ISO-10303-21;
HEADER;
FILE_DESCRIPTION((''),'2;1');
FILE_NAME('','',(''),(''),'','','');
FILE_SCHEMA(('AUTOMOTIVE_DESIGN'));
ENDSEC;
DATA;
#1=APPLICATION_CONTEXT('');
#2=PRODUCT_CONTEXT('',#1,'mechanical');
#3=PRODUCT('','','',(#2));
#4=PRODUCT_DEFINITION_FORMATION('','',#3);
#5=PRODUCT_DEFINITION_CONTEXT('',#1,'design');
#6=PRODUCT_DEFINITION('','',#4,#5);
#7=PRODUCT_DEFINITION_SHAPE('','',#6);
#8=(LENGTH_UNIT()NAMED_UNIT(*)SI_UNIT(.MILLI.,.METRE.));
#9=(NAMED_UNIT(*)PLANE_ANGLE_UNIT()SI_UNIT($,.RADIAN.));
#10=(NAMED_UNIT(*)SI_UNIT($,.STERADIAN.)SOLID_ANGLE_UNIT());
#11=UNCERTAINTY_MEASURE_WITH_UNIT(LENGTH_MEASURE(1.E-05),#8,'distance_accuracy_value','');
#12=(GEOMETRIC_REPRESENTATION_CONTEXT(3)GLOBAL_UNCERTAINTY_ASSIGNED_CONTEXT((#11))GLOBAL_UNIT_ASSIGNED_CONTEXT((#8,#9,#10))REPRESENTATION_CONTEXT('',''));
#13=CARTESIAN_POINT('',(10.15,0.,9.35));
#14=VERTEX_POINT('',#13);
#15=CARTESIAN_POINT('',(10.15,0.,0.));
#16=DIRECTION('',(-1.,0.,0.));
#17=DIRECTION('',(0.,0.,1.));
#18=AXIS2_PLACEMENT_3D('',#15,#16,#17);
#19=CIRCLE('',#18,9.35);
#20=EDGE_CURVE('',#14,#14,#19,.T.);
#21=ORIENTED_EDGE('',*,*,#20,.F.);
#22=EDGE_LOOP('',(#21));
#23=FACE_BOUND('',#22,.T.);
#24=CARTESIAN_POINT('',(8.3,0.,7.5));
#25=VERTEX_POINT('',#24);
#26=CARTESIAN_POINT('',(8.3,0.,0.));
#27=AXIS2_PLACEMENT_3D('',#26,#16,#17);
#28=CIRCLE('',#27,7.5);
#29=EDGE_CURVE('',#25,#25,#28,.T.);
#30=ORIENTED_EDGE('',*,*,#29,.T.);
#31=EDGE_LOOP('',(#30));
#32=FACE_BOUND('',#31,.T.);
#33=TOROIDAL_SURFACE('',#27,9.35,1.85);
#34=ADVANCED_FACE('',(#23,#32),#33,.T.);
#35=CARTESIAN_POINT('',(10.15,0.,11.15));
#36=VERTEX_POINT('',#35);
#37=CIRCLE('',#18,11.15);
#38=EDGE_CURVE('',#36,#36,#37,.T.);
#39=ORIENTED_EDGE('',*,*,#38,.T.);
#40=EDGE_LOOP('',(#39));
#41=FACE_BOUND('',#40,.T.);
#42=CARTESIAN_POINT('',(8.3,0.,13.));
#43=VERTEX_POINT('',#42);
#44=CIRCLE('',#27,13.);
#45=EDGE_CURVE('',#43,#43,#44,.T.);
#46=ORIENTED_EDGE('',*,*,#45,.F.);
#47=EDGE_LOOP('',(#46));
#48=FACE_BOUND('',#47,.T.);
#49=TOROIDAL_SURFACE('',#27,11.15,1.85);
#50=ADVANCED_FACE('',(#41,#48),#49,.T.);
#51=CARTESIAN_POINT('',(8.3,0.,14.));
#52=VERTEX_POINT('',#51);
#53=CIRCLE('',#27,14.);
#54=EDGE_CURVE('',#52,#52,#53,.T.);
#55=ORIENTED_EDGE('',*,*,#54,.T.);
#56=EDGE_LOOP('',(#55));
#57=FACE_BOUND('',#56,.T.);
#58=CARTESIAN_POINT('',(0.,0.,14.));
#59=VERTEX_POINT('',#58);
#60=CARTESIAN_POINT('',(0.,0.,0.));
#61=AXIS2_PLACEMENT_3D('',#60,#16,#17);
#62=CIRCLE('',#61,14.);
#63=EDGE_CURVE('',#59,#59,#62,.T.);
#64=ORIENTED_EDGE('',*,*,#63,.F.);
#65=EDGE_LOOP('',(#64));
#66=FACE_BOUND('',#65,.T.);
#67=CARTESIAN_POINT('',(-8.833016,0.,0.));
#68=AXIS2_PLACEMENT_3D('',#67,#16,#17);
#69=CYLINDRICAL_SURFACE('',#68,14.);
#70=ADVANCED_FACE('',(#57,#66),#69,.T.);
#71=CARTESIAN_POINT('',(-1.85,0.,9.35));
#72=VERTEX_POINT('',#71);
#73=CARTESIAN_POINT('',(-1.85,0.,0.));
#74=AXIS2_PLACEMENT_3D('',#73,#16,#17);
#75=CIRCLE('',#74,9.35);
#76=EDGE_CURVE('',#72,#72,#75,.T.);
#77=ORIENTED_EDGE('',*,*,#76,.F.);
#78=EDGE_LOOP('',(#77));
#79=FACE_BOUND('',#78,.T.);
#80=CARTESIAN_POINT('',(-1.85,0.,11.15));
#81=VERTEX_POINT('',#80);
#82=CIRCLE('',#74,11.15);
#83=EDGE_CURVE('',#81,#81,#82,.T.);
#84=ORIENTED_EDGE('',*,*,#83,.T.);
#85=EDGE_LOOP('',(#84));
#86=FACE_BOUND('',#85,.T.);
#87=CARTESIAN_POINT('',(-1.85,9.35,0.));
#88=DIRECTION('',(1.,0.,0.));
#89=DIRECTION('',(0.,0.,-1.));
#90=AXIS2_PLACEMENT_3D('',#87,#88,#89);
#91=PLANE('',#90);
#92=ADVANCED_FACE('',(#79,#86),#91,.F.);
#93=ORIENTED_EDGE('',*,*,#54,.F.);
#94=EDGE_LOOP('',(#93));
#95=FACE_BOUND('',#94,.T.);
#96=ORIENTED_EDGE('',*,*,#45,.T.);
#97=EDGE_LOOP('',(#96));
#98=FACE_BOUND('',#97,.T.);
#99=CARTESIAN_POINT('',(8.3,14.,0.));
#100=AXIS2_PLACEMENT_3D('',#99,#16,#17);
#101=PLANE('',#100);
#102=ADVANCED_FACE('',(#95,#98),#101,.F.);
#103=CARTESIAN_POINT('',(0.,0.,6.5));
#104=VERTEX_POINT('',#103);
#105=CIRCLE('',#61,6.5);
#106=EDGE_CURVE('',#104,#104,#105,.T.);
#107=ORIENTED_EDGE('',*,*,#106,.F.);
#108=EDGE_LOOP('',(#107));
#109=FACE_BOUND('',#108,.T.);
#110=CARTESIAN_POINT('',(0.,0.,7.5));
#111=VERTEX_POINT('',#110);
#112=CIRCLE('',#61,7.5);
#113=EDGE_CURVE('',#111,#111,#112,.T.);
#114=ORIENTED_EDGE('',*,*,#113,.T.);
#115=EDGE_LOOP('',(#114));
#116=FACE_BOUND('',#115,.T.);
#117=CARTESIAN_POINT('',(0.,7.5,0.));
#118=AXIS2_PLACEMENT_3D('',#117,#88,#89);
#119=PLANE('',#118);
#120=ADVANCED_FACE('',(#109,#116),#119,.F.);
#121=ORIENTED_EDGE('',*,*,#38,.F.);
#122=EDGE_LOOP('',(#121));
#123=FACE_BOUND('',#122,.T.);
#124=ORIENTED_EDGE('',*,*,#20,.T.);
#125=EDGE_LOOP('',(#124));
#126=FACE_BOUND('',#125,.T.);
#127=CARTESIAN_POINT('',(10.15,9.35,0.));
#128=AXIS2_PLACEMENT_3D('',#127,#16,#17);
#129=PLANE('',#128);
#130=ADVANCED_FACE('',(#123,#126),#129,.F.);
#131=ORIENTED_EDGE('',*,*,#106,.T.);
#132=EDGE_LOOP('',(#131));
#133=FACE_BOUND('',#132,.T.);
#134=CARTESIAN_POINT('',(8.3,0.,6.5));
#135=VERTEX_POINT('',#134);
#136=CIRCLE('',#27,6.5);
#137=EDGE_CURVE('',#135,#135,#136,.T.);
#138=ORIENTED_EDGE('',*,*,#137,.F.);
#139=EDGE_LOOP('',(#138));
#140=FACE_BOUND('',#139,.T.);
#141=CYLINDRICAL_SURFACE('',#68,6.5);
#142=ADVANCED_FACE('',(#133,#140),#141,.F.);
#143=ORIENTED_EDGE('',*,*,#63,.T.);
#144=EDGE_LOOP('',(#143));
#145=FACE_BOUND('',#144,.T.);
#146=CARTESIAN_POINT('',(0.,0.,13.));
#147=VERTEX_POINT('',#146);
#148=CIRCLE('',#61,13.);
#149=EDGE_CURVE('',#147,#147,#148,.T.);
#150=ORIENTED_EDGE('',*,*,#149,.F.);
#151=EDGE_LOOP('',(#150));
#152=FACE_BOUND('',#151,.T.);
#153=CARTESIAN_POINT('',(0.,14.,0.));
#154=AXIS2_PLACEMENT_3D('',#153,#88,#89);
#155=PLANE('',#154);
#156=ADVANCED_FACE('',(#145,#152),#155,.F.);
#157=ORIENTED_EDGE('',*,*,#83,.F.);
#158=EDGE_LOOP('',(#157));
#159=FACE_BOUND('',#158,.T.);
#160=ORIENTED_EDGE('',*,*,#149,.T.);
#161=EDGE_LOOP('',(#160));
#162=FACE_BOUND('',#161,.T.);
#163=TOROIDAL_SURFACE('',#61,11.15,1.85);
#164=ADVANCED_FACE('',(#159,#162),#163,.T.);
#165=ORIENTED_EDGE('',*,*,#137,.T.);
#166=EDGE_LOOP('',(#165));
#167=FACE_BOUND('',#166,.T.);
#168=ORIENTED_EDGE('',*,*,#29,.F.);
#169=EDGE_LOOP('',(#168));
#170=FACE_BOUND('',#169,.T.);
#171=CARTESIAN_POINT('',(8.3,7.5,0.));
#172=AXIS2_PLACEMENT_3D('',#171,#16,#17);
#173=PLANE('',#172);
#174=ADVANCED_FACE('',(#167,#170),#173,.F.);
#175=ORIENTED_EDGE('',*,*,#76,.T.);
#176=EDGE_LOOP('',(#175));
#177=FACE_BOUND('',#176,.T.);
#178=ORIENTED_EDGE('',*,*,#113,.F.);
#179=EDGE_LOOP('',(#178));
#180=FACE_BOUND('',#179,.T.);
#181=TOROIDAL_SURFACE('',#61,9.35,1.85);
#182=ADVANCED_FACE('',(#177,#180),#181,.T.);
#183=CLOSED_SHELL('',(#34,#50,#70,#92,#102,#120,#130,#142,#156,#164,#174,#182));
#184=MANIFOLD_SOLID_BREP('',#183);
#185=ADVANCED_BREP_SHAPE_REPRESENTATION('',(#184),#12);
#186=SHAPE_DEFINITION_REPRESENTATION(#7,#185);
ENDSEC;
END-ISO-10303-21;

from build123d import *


with BuildPart() as part:
    # Sketch1 → Revolve1 (revolve)
    with BuildSketch(Plane.XY):
        with BuildLine():
            Line((10.15, 9.35), (10.15, 11.15))
            ThreePointArc((10.15, 11.15), (9.608147545, 12.458147545), (8.3, 13))
            Line((8.3, 13), (8.3, 14))
            Line((8.3, 14), (0, 14))
            Line((0, 14), (0, 13))
            ThreePointArc((0, 13), (-1.308147545, 12.458147545), (-1.85, 11.15))
            Line((-1.85, 11.15), (-1.85, 9.35))
            ThreePointArc((-1.85, 9.35), (-1.308147545, 8.041852455), (0, 7.5))
            Line((0, 7.5), (0, 6.5))
            Line((0, 6.5), (8.3, 6.5))
            Line((8.3, 6.5), (8.3, 7.5))
            ThreePointArc((8.3, 7.5), (9.608147545, 8.041852455), (10.15, 9.35))
        make_face()
    revolve(axis=Axis((-8.833016473, 0, 0), (1, 0, 0)))


solid = part.part
